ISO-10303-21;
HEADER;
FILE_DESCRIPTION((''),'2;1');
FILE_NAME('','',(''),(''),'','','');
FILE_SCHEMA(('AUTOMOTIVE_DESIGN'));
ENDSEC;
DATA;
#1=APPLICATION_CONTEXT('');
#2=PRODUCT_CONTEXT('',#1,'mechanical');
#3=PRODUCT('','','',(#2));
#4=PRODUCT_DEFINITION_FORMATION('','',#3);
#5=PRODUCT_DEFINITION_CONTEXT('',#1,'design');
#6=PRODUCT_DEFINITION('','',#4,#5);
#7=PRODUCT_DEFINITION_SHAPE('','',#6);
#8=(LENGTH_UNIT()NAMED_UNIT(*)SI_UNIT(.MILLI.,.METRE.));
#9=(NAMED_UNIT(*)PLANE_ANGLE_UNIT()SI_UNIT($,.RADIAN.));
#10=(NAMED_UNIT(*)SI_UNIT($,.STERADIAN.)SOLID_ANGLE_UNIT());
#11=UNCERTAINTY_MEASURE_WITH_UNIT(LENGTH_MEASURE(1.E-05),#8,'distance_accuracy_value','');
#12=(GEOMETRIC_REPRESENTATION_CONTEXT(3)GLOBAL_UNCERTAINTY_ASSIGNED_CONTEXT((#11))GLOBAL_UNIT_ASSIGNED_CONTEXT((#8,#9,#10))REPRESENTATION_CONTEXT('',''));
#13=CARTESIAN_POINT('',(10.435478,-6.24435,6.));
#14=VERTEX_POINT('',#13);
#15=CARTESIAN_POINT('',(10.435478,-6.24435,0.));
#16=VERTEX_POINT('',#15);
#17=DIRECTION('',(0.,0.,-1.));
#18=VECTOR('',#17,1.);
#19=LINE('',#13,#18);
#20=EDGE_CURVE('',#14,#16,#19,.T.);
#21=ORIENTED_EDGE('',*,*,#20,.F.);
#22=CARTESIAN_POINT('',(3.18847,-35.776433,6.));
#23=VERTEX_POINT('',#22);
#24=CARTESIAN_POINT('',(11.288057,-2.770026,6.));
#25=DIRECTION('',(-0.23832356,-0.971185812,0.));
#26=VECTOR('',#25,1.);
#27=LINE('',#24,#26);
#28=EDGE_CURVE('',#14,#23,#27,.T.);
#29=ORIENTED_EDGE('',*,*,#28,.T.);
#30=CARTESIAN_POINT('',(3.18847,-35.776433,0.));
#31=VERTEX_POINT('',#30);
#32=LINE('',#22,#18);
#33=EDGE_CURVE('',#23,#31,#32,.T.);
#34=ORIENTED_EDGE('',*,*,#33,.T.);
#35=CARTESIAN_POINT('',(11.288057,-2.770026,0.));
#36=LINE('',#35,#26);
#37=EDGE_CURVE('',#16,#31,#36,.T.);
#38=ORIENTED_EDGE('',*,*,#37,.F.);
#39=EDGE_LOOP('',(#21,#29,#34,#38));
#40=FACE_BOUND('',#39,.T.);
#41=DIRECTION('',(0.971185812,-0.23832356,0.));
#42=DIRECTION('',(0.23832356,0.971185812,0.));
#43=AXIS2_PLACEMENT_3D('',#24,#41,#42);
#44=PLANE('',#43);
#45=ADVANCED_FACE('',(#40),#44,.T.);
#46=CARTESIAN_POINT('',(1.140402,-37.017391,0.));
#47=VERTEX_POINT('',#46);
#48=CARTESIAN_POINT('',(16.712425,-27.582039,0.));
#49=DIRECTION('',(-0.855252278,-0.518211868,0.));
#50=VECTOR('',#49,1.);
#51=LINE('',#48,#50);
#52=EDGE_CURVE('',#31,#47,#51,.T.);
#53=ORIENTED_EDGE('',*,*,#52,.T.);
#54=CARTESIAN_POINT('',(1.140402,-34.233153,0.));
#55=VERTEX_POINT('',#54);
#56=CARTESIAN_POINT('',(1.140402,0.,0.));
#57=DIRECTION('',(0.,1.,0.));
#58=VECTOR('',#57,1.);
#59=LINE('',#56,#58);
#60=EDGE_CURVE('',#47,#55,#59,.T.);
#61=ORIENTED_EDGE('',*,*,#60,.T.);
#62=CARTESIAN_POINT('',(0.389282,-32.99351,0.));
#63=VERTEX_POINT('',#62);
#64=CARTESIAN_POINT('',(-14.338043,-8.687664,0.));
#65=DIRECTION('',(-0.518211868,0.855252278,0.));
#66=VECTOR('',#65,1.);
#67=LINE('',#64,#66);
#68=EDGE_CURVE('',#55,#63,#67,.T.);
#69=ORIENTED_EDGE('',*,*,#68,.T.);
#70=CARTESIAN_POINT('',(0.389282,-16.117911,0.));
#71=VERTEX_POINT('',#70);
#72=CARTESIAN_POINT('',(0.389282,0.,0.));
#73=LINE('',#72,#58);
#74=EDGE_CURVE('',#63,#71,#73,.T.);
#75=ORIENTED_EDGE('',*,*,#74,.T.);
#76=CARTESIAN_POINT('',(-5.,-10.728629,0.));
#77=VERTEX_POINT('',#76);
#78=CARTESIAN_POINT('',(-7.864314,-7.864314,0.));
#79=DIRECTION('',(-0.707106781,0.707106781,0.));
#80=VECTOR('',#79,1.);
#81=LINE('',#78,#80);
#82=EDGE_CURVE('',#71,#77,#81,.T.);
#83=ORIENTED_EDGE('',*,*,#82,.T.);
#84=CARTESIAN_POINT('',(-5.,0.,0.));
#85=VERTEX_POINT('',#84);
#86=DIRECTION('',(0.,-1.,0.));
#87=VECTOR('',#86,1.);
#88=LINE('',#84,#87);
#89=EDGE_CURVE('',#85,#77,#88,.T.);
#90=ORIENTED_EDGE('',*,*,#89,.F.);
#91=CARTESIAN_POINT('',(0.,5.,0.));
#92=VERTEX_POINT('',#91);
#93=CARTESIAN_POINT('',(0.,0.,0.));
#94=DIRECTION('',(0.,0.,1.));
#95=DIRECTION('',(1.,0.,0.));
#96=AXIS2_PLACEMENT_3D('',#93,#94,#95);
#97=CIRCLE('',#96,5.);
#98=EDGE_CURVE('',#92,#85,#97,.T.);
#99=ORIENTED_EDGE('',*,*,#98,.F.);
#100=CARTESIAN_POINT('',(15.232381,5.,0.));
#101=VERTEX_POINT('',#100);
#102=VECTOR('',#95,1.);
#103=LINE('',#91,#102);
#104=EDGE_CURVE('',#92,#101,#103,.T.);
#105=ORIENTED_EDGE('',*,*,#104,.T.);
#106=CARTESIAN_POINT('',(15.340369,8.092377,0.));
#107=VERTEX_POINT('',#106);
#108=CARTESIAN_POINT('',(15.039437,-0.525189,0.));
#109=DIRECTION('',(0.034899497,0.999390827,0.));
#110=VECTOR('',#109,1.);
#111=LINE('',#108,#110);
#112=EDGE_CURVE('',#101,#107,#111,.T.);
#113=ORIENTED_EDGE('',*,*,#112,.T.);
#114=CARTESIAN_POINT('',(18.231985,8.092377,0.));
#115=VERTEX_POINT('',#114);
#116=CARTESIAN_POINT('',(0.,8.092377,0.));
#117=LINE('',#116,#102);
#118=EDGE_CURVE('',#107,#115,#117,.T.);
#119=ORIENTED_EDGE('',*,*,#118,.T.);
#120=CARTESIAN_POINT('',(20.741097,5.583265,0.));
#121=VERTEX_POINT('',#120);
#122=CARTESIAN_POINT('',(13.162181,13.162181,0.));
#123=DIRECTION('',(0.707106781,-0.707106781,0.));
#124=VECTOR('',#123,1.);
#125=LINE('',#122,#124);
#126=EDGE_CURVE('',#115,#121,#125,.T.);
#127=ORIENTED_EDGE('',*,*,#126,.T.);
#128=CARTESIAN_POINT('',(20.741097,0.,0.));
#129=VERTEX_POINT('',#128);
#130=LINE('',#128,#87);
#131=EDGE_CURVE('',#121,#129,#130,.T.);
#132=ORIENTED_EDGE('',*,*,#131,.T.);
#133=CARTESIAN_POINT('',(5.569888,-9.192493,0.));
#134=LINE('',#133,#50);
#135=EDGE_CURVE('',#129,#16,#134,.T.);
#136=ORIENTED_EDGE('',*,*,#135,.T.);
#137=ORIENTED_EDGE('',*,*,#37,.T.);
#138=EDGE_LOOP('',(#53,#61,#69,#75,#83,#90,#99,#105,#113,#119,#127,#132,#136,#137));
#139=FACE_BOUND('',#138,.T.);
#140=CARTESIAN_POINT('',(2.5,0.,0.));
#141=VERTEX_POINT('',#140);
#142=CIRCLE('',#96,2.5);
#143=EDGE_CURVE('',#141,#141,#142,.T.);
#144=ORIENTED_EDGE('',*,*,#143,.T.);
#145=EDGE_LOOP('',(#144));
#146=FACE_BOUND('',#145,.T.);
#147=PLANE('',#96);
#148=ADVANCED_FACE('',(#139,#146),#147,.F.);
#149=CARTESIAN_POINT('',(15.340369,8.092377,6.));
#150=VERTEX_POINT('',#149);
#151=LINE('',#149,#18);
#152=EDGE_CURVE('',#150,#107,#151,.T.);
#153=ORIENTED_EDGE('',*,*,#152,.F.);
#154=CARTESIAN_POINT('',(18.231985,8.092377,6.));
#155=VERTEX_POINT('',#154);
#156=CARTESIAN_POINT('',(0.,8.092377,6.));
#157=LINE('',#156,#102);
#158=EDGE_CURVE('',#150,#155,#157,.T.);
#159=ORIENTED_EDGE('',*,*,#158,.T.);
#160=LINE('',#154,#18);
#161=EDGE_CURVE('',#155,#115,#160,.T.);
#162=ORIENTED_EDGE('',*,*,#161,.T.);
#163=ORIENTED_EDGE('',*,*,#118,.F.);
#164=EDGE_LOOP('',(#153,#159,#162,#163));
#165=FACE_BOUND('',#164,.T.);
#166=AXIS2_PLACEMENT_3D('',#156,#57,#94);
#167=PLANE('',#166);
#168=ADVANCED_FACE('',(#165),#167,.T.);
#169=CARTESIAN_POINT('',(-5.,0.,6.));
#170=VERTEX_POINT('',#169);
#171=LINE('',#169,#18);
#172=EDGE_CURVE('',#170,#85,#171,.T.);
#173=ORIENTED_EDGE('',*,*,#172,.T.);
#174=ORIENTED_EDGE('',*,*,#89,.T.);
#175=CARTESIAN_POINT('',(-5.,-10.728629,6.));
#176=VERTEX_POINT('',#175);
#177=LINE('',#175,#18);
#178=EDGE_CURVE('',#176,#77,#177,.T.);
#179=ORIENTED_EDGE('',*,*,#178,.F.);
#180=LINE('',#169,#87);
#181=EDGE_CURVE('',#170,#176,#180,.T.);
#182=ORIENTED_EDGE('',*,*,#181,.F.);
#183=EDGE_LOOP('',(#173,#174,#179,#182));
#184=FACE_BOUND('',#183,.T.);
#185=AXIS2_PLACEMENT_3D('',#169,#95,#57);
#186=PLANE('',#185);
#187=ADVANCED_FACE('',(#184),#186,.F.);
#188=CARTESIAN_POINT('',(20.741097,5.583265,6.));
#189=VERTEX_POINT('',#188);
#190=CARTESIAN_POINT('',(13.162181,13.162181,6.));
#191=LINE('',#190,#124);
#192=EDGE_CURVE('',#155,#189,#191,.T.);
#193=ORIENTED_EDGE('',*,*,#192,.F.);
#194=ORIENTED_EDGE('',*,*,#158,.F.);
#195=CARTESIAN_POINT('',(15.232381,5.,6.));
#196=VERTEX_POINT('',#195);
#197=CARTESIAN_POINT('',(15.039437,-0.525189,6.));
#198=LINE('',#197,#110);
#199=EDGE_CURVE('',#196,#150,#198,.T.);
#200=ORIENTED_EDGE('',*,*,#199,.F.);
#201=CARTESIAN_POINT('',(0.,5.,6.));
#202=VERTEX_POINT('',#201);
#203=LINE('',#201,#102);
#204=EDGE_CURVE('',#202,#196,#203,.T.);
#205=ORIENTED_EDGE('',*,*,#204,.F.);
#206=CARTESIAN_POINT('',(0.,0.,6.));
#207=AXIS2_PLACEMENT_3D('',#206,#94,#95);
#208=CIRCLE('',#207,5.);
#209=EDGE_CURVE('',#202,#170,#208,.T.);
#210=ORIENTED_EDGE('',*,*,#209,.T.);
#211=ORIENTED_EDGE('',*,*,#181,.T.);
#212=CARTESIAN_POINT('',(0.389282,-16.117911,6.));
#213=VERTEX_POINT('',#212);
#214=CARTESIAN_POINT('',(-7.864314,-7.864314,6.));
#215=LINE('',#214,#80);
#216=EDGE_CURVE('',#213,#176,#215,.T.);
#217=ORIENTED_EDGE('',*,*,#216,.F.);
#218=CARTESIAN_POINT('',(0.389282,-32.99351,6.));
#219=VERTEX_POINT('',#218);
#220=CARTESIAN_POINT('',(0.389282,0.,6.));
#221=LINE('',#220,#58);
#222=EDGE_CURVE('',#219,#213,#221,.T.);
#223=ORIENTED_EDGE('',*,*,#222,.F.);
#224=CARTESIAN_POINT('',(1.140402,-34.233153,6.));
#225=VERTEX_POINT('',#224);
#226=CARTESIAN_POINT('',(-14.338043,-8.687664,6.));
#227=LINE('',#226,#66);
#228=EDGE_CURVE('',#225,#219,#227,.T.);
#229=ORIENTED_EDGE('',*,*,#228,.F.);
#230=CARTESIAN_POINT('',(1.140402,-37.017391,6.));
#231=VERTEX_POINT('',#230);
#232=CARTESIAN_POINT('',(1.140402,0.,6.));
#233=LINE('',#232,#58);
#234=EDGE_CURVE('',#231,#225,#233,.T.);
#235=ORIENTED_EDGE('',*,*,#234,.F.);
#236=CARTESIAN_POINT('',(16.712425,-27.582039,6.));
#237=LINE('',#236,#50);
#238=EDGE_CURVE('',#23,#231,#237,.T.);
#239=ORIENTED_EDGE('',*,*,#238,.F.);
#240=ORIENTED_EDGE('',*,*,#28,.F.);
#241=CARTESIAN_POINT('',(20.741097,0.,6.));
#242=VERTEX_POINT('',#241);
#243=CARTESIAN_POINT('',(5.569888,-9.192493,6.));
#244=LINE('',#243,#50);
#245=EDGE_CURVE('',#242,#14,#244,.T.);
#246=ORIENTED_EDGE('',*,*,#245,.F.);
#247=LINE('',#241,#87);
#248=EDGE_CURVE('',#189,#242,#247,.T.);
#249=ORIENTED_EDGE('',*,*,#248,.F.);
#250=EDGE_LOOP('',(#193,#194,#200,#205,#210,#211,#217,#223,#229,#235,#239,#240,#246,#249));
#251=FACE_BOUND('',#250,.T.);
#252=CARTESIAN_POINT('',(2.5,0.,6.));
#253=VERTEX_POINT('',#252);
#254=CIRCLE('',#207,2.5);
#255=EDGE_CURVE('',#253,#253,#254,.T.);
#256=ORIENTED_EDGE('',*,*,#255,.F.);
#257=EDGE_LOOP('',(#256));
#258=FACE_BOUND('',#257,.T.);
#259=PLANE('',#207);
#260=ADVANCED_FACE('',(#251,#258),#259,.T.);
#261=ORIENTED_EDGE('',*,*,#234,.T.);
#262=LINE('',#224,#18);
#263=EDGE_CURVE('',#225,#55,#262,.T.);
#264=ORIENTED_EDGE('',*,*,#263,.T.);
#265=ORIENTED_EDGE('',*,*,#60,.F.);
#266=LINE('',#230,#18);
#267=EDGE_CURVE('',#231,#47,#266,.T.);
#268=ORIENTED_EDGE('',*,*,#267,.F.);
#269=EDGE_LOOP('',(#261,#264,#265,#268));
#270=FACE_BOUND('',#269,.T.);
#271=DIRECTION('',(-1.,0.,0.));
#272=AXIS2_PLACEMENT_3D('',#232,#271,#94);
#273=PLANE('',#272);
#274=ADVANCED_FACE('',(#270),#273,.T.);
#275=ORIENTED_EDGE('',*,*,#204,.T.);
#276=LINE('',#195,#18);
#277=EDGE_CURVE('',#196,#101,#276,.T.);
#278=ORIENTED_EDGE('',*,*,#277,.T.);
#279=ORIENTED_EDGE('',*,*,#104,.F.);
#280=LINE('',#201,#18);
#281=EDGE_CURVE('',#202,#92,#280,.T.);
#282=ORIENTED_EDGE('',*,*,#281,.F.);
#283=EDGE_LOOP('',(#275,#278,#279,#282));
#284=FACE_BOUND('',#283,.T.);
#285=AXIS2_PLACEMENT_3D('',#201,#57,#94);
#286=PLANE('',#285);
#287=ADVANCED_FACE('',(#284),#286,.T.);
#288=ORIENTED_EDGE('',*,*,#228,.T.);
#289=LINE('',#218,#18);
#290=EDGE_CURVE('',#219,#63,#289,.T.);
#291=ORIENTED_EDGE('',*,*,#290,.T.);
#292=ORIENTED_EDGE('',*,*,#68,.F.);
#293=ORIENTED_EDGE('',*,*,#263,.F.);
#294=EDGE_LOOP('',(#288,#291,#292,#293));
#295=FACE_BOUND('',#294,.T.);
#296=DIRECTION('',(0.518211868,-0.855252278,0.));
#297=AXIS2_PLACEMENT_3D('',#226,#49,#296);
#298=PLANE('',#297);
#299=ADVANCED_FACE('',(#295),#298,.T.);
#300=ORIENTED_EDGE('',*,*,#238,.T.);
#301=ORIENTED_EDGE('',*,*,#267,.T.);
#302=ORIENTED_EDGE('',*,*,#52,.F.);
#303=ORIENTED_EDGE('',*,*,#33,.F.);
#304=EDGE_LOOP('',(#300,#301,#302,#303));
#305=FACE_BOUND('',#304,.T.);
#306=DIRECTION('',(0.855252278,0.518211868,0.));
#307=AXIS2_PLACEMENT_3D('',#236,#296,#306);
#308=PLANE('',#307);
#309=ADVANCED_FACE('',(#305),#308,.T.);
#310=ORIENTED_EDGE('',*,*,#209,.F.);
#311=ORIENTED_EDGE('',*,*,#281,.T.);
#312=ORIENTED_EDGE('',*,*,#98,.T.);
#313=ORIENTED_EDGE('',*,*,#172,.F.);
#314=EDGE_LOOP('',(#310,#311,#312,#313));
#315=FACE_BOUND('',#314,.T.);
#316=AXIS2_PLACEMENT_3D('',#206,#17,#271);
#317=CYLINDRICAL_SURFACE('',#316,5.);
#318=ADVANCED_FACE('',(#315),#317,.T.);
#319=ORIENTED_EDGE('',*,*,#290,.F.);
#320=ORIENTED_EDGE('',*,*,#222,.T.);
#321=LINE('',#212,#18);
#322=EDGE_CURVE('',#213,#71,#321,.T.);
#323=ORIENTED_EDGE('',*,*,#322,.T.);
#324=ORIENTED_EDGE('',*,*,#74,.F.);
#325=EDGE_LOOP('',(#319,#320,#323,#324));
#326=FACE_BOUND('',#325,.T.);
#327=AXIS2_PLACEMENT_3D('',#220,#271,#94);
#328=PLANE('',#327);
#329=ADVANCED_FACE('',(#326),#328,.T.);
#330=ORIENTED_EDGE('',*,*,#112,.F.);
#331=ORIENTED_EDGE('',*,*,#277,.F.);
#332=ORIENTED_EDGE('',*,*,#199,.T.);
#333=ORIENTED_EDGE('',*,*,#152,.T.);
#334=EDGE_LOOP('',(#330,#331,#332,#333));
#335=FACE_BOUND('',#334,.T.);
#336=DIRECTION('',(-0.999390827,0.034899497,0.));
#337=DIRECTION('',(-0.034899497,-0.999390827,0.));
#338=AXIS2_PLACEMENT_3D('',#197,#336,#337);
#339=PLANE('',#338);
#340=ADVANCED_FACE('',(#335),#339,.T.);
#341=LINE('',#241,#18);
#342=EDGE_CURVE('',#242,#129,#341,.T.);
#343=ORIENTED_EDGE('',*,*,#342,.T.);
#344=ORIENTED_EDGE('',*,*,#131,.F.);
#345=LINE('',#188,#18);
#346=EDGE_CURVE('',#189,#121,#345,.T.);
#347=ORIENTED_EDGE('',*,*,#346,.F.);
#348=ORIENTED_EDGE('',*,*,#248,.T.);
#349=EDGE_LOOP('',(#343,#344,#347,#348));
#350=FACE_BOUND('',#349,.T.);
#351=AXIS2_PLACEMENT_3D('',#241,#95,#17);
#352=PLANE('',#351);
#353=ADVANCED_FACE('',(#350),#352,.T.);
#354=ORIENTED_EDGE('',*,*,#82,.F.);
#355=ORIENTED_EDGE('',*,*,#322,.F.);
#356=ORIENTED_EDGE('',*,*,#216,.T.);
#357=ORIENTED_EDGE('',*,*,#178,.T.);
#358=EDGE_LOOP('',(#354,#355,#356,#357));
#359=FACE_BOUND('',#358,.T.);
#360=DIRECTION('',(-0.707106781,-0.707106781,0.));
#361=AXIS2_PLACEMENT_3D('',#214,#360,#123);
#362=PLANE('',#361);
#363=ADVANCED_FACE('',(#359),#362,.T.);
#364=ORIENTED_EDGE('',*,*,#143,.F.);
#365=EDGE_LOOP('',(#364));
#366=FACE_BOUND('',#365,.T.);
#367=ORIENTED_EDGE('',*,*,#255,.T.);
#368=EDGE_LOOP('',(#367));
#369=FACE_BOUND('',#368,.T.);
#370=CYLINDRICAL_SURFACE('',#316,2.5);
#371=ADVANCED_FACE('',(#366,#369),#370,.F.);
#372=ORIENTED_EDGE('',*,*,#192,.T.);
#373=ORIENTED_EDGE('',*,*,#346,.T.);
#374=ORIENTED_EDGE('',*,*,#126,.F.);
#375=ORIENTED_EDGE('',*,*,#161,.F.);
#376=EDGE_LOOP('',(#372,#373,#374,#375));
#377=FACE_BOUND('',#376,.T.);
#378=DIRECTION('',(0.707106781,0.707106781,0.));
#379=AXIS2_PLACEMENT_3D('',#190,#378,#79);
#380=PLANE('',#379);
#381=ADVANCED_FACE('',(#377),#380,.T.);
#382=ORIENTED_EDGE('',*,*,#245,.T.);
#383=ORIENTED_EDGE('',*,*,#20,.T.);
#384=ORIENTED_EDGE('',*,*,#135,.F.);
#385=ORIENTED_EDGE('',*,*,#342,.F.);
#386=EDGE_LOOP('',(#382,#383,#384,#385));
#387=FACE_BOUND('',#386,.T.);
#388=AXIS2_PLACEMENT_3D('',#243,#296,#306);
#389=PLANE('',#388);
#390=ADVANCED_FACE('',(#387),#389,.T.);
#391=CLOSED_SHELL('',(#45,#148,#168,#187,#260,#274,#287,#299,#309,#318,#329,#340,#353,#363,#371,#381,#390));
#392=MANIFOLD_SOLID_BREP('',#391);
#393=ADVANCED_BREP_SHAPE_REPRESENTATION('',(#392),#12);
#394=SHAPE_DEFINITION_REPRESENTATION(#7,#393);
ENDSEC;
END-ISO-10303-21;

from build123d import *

# Parameters (mm, degrees)
SKETCH_1_R      = 5
SKETCH_1_R_2    = 2.5
EXTRUDE_1_DEPTH = 6


with BuildPart() as part:
    # 스케치1 → 보스-돌출1 (new body)
    # profile 1 of 2: a face of its own
    with BuildSketch(Plane.XY):
        Circle(SKETCH_1_R)
        Circle(SKETCH_1_R_2, mode=Mode.SUBTRACT)
    # profile 2 of 2: a face of its own
    with BuildSketch(Plane.XY):
        with BuildLine():
            Line((15.232380882, 5), (0, 5))
            ThreePointArc((0, 5), (3.535533906, 3.535533906), (5, 0))
            ThreePointArc((5, 0), (0, -5), (-5, 0))
            Line((-5, 0), (-5, -10.728628998))
            Line((-5, -10.728628998), (0.389281966, -16.117910964))
            Line((0.389281966, -16.117910964), (0.389281966, -32.993510276))
            Line((0.389281966, -32.993510276), (1.140402407, -34.2331528))
            Line((1.140402407, -34.2331528), (1.140402407, -37.017391391))
            Line((1.140402407, -37.017391391), (3.188469753, -35.776432632))
            Line((3.188469753, -35.776432632), (10.435477501, -6.24434983))
            Line((10.435477501, -6.24434983), (20.74109717, 0))
            Line((20.74109717, 0), (20.74109717, 5.58326458))
            Line((20.74109717, 5.58326458), (18.231984896, 8.092376853))
            Line((18.231984896, 8.092376853), (15.340369062, 8.092376853))
            Line((15.340369062, 8.092376853), (15.232380882, 5))
        make_face()
    extrude(amount=EXTRUDE_1_DEPTH)


solid = part.part
